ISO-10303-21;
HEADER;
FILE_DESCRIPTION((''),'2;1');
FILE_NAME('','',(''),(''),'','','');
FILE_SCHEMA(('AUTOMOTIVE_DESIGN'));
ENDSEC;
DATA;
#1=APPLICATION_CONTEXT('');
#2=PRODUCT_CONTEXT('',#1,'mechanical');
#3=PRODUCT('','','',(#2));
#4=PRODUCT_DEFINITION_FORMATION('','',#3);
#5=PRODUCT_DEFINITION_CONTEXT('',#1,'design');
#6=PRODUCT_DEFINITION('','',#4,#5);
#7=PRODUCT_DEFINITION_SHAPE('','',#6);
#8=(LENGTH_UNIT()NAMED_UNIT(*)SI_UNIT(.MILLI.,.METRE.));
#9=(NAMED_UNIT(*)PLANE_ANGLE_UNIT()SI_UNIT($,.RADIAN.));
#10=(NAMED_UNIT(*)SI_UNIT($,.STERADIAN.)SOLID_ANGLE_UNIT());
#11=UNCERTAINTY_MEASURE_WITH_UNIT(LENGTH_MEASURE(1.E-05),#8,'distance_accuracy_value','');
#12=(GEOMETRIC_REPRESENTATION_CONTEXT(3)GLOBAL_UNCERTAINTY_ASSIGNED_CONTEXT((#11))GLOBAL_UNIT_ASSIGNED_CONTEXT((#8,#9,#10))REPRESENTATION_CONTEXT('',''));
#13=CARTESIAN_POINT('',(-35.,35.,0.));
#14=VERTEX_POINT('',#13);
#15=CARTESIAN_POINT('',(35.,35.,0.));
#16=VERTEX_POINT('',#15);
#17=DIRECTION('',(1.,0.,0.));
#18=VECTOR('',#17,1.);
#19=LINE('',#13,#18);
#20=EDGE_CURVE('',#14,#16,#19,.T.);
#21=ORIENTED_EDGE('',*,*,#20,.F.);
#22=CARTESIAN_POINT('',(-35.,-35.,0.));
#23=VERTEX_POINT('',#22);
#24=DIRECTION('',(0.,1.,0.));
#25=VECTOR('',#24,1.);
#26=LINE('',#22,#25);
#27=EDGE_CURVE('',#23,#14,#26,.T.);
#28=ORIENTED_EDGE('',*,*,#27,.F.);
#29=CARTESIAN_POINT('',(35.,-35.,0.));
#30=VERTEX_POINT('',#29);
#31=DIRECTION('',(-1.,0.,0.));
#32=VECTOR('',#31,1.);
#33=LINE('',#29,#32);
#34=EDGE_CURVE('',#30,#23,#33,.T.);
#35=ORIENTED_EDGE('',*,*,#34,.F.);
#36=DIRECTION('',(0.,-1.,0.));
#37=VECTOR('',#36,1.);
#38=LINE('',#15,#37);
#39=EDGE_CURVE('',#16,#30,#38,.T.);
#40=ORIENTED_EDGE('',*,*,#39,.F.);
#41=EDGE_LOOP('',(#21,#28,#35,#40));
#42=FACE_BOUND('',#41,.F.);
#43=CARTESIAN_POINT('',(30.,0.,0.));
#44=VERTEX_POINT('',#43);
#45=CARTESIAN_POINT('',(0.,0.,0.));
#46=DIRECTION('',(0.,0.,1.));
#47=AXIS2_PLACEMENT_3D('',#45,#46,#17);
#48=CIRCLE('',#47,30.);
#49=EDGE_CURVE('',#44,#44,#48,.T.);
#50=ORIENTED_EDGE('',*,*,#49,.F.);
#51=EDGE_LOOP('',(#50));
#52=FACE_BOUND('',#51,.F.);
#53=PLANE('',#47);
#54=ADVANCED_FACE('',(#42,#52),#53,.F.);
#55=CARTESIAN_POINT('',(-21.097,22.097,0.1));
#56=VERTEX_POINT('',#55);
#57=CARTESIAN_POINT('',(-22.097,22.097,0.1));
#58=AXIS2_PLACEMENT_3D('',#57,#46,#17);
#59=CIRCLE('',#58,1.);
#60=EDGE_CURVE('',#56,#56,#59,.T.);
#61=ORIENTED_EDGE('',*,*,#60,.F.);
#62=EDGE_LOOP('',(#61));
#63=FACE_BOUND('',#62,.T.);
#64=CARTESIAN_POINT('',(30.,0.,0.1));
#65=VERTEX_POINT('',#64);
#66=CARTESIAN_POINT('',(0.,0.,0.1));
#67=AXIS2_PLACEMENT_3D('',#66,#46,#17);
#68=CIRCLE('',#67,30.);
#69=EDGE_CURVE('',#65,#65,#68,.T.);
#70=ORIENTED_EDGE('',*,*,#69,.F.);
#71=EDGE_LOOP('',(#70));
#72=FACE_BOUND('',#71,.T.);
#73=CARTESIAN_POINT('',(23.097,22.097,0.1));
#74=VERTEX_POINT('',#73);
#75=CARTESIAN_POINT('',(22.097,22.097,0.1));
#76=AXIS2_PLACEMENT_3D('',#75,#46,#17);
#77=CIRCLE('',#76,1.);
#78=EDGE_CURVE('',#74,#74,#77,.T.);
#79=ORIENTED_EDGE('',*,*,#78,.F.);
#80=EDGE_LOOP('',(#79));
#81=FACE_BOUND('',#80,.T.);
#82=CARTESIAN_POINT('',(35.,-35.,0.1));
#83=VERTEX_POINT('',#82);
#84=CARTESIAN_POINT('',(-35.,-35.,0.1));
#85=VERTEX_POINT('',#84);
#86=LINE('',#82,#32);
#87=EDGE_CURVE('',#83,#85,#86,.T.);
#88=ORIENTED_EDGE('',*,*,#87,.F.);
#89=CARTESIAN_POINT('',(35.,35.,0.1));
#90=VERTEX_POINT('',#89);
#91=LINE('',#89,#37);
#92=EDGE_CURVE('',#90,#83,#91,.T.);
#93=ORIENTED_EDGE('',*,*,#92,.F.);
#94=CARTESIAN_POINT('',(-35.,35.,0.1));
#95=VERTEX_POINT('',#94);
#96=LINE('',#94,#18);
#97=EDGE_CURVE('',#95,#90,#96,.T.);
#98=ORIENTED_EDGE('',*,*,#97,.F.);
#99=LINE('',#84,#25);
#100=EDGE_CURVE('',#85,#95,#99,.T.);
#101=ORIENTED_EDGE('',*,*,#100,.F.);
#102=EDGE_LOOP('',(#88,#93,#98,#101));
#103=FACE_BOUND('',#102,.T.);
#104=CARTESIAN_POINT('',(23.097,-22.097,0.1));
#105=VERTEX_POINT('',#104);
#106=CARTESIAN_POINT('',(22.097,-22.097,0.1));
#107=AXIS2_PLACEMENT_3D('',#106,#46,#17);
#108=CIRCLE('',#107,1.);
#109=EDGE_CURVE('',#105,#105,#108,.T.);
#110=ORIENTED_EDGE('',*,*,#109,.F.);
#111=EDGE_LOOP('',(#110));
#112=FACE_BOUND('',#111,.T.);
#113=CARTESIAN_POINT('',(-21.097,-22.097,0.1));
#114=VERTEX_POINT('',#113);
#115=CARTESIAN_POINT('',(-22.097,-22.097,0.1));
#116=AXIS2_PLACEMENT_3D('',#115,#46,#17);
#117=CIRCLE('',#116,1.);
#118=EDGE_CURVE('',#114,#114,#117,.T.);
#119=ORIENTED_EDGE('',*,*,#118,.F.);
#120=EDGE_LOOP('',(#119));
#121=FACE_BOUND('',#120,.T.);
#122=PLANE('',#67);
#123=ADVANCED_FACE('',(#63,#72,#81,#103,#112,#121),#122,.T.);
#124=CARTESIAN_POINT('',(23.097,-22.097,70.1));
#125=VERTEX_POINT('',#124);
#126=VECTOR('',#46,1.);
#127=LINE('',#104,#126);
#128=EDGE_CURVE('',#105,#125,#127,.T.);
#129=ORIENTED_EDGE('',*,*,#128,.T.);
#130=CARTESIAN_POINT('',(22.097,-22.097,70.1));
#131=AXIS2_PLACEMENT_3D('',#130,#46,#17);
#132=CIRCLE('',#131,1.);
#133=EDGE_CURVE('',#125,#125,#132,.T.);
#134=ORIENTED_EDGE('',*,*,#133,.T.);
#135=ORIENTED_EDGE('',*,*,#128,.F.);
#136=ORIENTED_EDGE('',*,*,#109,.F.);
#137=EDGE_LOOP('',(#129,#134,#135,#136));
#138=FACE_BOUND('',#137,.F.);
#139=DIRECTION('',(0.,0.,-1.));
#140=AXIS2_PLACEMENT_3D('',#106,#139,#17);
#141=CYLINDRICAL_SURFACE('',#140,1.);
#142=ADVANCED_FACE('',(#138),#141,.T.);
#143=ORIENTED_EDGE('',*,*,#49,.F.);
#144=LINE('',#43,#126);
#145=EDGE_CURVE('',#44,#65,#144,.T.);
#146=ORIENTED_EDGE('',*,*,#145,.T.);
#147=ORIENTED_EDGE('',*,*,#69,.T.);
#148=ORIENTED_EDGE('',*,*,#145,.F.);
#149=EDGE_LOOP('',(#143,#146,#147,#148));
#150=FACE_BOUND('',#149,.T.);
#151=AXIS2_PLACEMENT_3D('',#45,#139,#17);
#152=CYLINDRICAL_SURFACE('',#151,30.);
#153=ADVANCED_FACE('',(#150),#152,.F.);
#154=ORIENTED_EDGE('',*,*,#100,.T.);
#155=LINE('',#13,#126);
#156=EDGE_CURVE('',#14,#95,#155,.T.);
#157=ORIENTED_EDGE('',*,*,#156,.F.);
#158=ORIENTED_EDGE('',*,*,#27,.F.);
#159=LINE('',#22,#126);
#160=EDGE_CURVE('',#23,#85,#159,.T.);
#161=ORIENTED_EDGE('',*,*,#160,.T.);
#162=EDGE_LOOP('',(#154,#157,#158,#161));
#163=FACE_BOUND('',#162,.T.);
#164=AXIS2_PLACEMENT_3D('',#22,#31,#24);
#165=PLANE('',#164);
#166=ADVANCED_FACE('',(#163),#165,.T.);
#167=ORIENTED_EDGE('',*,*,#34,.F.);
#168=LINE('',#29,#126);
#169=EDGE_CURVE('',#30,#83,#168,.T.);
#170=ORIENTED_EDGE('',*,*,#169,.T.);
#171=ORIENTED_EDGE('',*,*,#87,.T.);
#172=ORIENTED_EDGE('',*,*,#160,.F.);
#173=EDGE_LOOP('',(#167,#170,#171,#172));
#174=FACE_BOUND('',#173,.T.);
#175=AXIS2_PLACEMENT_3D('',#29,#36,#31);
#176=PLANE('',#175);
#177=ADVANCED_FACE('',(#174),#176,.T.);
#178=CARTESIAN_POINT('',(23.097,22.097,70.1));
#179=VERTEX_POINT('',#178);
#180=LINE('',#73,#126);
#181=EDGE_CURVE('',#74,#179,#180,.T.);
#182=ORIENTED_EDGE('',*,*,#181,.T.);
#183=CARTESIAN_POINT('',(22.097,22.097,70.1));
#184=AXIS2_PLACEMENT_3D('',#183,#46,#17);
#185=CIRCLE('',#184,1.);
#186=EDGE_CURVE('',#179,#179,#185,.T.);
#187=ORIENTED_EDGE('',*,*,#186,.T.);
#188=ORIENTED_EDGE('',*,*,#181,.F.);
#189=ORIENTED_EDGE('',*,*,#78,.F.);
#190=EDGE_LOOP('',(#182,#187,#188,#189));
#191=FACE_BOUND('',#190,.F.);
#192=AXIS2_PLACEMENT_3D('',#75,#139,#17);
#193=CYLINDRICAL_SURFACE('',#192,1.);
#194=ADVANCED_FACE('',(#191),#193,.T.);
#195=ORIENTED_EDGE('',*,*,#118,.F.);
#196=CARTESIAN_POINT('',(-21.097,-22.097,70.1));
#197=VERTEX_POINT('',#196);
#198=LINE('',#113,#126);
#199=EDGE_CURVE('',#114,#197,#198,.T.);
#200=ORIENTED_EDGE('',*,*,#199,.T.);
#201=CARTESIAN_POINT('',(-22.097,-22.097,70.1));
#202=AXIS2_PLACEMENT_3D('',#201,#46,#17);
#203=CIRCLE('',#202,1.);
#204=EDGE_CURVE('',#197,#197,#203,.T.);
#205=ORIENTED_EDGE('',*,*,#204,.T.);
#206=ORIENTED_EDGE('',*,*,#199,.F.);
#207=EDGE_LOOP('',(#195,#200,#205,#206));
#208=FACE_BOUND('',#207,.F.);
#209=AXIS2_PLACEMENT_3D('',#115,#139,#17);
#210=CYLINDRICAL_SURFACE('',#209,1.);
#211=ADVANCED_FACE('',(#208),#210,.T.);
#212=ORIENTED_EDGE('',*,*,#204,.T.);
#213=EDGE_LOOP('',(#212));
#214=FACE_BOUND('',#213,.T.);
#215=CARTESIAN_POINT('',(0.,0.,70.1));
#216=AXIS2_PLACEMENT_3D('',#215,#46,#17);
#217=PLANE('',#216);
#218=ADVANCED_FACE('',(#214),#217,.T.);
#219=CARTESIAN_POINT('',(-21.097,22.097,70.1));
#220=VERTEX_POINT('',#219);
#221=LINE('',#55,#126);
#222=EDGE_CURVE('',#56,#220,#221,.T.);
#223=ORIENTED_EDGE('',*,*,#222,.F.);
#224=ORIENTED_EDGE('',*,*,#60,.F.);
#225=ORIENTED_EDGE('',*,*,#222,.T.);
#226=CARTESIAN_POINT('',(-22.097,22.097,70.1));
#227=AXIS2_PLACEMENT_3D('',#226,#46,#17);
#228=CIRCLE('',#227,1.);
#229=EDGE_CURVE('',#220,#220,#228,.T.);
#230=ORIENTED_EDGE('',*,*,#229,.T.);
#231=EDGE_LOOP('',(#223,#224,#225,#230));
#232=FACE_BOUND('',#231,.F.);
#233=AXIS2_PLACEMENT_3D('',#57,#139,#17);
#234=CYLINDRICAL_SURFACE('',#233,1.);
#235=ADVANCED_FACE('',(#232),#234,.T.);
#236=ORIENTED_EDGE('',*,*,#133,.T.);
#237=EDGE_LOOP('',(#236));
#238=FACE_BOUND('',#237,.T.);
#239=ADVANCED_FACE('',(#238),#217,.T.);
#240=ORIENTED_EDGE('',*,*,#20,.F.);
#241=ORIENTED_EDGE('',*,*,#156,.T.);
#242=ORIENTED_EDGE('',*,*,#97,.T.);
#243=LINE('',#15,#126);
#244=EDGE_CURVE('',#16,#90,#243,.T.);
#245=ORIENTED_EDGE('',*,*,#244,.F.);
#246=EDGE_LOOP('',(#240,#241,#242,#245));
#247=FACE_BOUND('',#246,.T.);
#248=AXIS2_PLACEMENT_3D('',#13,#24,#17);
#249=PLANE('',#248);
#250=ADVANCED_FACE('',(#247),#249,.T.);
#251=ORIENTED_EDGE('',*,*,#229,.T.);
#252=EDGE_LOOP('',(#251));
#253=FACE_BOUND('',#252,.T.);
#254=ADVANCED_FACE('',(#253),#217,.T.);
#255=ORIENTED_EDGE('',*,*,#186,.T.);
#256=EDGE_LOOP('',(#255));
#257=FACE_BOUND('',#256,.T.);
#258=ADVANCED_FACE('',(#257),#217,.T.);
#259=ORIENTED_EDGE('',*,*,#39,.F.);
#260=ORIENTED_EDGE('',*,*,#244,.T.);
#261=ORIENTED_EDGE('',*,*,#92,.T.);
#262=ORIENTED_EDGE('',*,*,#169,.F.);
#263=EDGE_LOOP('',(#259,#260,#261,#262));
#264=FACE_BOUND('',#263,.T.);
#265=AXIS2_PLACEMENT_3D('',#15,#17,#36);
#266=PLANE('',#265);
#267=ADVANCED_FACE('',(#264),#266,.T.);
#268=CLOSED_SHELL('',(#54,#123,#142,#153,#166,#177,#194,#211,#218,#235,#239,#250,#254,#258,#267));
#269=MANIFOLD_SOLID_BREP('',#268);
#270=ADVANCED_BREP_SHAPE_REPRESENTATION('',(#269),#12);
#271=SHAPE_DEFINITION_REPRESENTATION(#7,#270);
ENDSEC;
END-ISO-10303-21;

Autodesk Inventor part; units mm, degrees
ref_plane "YZ Plane" through (0, 0, 0) normal (1, 0, 0) x (0, 1, 0)
ref_plane "XZ Plane" through (0, 0, 0) normal (0, 1, 0) x (-1, 0, 0)
ref_plane "XY Plane" through (0, 0, 0) normal (0, 0, 1) x (1, 0, 0)
sketch "Sketch1" plane through (0, 0, 0) normal (0, 0, 1) x (1, 0, 0)
  line L0 (-35, 35) -> (35, 35)
  line L1 (35, 35) -> (35, -35)
  line L2 (35, -35) -> (-35, -35)
  line L3 (-35, -35) -> (-35, 35)
  line L4 (-35, 35) -> (35, -35) construction
  line L5 (35, 35) -> (-35, -35) construction
  circle A0 centre (0, 0) radius 30
  dimension "d0" = 70
  dimension "d1" = 70
  dimension "d2" = 60
extrude "Extrusion1" add sketch "Sketch1" along normal blind 0.1
sketch "Sketch2" plane through (0, 0, 0.1) normal (0, 0, 1) x (1, 0, 0)
  circle A0 centre (-22.097, 22.097) radius 1
  circle A1 centre (22.097, 22.097) radius 1
  circle A2 centre (22.097, -22.097) radius 1
  circle A3 centre (-22.097, -22.097) radius 1
  line L0 (-35, 35) -> (-35, -35) projected
  line L1 (35, 35) -> (-35, 35) projected
  line L2 (35, -35) -> (35, 35) projected
  line L3 (-35, -35) -> (35, -35) projected
  point P0 (0, 0)
  dimension "d5" = 2
  dimension "d6" = 2
  dimension "d7" = 2
  dimension "d8" = 2
  dimension "d9" = 12.903
  dimension "d10" = 12.903
  dimension "d11" = 12.903
  dimension "d12" = 12.903
  dimension "d13" = 12.903
  dimension "d14" = 12.903
  dimension "d15" = 12.903
  dimension "d16" = 12.903
extrude "Extrusion2" add sketch "Sketch2" along normal blind 70 contours A0 | A1 | A2 | A3
properties part number "electrode_holder"
